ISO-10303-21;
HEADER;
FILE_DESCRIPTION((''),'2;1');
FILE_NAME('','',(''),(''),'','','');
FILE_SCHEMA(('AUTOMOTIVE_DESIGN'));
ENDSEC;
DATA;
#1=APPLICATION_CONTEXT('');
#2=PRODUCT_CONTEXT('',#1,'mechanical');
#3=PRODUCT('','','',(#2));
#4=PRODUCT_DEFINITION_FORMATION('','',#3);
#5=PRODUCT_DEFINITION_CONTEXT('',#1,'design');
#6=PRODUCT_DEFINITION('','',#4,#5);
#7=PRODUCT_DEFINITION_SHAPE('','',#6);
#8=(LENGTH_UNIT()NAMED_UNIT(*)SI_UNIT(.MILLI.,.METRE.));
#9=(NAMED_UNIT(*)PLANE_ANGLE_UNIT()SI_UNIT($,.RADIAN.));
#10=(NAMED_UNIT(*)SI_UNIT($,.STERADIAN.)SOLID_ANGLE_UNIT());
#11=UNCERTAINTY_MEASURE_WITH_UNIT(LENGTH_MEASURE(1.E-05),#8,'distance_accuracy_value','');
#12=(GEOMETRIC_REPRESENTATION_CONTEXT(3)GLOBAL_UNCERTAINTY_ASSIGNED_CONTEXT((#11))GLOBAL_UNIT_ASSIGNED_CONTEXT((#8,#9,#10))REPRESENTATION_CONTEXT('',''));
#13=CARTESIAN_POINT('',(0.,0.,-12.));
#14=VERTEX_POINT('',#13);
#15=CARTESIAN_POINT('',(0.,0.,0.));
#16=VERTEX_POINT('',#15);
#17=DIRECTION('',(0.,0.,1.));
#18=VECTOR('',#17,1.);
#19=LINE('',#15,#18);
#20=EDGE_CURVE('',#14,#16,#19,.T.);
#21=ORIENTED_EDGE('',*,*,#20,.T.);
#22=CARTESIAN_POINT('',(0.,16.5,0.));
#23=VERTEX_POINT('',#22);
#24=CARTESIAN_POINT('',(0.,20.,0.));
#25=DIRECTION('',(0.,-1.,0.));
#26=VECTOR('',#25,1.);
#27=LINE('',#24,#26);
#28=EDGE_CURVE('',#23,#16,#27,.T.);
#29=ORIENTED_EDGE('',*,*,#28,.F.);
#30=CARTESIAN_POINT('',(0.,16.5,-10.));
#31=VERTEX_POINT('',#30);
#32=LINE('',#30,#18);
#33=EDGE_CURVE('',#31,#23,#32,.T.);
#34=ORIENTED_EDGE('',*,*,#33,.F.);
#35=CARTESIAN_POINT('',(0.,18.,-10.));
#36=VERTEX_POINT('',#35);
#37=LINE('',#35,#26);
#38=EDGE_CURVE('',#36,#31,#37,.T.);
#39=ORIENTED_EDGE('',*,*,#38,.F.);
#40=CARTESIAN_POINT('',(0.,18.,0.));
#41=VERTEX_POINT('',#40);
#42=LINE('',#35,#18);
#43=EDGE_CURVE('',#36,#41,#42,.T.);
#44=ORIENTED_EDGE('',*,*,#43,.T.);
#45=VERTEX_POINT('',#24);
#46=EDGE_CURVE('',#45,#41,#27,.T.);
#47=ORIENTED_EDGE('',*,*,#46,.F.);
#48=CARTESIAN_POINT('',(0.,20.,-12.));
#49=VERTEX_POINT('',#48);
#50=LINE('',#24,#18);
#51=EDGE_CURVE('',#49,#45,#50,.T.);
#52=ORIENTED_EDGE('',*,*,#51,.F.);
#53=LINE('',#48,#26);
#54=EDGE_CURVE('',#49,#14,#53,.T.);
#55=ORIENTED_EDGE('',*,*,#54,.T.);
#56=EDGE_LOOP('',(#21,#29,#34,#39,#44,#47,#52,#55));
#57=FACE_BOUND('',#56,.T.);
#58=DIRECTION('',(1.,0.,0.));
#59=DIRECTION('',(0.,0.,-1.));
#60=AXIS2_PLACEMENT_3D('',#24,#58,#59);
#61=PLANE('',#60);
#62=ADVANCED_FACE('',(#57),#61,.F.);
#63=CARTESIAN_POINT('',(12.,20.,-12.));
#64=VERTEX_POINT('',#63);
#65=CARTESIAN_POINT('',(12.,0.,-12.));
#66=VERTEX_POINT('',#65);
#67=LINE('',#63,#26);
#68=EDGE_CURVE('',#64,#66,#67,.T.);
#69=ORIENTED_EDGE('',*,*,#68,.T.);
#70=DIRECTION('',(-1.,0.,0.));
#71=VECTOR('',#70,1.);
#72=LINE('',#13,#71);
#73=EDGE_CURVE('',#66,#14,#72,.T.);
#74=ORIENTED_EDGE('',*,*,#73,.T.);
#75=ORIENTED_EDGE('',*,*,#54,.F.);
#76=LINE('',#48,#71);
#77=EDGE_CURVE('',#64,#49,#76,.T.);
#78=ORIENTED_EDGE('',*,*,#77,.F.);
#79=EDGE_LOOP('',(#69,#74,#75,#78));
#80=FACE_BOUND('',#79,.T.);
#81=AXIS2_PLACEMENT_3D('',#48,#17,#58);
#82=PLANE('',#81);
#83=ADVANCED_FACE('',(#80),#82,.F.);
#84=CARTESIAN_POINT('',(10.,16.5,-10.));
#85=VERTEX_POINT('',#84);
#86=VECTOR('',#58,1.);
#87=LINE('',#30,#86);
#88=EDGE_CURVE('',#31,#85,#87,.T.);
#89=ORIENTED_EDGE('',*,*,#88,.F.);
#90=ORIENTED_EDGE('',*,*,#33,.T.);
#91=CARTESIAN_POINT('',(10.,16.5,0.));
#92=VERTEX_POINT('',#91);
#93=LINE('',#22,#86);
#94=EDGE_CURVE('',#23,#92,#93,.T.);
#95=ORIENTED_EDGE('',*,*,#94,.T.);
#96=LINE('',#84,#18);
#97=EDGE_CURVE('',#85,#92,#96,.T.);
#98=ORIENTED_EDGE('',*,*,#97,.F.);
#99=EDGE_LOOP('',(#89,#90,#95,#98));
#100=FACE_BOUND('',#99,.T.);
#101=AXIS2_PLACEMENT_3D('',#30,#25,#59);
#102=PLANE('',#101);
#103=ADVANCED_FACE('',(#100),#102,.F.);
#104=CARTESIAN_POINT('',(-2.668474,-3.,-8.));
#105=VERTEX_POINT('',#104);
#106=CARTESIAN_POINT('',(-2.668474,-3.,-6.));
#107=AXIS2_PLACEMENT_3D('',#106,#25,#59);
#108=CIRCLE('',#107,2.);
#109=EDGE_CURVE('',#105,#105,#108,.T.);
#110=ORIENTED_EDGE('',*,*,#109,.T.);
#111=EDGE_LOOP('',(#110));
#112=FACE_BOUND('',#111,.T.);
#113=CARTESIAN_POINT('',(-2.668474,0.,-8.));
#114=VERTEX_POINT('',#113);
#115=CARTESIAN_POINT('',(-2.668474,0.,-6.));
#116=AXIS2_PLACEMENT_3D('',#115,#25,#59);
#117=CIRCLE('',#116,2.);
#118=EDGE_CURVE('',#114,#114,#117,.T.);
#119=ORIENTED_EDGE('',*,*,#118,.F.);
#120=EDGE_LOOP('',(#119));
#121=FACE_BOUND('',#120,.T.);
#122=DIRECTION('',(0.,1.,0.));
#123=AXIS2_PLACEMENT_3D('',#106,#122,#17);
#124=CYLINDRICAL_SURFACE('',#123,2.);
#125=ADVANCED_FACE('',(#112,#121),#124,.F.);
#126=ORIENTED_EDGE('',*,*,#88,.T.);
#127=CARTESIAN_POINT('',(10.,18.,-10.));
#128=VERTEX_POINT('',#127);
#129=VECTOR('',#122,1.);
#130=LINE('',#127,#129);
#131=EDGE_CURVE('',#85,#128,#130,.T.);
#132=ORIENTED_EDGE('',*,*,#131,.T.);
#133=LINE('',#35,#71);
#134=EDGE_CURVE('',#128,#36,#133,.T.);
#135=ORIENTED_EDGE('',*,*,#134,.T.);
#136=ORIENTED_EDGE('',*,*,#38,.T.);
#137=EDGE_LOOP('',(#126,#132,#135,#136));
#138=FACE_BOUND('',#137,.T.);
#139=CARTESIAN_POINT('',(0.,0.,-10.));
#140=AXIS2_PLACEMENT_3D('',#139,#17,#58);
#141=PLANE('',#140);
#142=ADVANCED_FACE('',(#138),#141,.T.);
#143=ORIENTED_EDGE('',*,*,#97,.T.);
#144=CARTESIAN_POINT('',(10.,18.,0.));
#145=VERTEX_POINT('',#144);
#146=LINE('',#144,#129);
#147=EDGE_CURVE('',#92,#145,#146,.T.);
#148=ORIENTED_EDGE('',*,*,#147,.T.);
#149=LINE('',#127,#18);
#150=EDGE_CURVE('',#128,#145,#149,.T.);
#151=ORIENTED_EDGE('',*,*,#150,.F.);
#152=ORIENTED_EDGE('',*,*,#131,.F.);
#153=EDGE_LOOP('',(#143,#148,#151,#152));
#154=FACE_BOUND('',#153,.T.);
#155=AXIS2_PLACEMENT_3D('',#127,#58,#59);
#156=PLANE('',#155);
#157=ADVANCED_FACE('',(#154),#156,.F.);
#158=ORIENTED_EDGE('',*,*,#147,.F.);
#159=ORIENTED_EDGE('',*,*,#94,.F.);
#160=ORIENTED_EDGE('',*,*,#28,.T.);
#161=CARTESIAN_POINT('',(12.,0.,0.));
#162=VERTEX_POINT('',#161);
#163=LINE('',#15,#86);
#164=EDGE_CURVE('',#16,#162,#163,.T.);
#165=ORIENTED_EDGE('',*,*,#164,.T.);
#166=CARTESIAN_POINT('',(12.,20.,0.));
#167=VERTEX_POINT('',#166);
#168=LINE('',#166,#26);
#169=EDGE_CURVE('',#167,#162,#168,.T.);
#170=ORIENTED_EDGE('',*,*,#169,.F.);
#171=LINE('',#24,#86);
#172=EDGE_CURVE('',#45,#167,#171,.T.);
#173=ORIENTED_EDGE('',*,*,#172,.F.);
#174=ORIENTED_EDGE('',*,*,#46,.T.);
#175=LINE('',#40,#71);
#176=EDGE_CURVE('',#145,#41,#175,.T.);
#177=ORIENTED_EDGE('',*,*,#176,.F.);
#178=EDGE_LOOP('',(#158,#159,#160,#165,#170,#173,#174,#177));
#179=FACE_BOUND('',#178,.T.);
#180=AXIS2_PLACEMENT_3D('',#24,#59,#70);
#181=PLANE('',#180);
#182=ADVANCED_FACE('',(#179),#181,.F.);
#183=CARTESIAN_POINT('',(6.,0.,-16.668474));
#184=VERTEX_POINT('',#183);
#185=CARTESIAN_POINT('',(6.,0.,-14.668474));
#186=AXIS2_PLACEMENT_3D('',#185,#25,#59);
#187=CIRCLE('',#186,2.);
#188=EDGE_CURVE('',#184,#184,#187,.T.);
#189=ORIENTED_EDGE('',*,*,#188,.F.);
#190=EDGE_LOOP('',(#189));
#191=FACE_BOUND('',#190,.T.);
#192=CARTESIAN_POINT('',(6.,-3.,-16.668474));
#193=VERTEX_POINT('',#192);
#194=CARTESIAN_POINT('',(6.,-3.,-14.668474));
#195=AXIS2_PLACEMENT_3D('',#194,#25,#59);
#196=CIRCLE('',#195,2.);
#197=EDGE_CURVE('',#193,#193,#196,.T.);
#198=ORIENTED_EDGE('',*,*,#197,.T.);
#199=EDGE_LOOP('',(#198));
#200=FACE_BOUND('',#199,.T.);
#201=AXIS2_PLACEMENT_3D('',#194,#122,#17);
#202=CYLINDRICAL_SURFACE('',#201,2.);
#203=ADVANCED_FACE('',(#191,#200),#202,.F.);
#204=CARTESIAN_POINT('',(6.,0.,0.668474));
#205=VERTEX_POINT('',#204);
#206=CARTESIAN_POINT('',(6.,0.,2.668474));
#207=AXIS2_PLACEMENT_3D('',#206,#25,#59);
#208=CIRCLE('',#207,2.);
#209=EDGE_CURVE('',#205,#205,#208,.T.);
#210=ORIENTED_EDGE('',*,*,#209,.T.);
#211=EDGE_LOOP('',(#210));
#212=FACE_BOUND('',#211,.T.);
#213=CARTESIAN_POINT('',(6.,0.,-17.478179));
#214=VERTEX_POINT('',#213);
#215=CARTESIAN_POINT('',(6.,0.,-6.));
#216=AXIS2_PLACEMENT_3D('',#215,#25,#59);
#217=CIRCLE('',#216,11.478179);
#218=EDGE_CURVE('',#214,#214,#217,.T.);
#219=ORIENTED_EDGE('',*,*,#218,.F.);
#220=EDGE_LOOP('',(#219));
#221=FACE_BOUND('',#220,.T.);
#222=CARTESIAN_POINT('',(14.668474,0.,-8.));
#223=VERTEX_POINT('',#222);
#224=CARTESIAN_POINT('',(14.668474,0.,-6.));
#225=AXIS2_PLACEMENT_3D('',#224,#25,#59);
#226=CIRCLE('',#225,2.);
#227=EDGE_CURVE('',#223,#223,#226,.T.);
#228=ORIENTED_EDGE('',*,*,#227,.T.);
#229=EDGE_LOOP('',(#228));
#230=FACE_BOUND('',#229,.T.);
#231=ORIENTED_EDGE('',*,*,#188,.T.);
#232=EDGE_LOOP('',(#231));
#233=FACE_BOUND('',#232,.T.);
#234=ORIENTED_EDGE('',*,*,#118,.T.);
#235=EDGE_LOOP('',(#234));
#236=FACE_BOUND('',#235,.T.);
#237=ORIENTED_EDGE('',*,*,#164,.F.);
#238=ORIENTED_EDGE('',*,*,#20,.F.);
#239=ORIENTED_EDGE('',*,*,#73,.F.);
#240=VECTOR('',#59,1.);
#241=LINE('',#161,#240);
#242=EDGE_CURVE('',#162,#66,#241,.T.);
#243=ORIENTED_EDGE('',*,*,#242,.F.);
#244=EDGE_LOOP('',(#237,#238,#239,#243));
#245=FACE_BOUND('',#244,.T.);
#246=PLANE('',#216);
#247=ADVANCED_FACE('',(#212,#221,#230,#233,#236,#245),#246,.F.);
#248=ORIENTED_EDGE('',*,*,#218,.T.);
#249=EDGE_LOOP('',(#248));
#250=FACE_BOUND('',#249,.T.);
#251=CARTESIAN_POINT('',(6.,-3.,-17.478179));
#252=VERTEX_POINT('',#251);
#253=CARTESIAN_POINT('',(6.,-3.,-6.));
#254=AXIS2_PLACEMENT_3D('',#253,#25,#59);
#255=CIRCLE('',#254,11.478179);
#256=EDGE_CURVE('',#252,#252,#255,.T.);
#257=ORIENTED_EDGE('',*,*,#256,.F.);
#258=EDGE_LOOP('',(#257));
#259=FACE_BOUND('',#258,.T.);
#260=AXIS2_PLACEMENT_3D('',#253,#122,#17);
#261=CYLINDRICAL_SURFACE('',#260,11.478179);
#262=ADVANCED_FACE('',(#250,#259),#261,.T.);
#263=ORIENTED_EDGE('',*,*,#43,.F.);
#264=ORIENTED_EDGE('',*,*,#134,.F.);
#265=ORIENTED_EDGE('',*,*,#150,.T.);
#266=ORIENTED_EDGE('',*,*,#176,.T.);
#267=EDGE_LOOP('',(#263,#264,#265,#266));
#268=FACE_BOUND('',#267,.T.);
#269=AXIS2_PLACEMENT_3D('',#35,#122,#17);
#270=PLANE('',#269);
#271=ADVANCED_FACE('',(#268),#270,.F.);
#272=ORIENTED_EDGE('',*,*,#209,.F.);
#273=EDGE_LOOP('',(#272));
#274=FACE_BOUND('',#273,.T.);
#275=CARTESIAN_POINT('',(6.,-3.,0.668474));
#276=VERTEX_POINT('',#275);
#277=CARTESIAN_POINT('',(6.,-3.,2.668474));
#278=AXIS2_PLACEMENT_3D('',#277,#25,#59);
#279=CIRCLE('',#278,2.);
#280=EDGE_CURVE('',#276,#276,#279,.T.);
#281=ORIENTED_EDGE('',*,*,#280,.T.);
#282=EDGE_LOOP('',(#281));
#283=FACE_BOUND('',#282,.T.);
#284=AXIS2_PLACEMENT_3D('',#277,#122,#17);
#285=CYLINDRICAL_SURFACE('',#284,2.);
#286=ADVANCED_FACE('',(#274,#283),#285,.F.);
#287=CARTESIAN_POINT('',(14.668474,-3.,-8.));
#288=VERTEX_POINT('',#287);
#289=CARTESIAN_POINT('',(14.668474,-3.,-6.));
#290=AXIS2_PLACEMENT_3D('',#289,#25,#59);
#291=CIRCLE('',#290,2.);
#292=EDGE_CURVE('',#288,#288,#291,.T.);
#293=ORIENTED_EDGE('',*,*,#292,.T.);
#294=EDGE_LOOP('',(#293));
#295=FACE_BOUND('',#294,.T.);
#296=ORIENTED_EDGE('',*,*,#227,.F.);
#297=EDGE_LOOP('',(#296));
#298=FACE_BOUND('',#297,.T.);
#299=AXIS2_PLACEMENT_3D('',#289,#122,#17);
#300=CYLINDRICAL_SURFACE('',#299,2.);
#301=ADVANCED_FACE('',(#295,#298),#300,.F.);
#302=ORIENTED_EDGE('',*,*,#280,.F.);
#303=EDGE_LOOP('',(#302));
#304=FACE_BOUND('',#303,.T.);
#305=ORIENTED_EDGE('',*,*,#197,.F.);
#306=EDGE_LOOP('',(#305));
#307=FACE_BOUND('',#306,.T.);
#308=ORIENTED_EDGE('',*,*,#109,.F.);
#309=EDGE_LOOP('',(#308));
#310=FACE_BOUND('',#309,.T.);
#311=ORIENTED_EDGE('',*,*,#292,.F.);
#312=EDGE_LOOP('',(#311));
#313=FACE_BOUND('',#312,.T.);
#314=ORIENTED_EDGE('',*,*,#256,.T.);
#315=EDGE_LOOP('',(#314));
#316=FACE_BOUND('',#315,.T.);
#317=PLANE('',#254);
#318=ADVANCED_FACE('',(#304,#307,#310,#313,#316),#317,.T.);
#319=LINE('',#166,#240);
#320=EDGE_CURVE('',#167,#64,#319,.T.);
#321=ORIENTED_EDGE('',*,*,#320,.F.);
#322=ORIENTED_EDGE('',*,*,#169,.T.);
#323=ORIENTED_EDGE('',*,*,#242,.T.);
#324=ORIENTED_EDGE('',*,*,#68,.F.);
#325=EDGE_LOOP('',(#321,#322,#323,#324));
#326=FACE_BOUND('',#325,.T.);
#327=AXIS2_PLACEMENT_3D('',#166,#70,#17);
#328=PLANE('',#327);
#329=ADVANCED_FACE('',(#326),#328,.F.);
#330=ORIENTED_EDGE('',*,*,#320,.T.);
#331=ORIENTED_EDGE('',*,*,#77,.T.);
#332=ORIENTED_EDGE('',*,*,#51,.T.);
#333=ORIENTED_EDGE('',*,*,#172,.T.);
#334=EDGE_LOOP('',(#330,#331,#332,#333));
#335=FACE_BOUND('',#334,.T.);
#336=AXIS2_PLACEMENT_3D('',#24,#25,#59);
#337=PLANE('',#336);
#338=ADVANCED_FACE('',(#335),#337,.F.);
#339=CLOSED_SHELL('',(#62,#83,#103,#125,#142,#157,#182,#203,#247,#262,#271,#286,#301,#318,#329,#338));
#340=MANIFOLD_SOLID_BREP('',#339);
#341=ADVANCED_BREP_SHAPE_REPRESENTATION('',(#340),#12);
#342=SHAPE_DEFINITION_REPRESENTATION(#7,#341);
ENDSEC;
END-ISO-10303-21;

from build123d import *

# Parameters (mm, degrees)
CROQUIS1_W              = 12
CROQUIS1_H              = 12
SALIENTE_EXTRUIR1_DEPTH = 20
CROQUIS2_W              = 10
CROQUIS2_H              = 1.5
CORTAR_EXTRUIR1_DEPTH   = 10
CROQUIS3_R              = 11.478178836
CROQUIS3_R_2            = 2
SALIENTE_EXTRUIR2_DEPTH = 3


with BuildPart() as part:
    # Croquis1 → Saliente-Extruir1 (new body)
    with BuildSketch(Plane(origin=(0, 0, 0), x_dir=(1, 0, 0), z_dir=(0, 1, 0))):
        with Locations((6, 6)):
            Rectangle(CROQUIS1_W, CROQUIS1_H)
    extrude(amount=SALIENTE_EXTRUIR1_DEPTH)

    # Croquis2 → Cortar-Extruir1 (cut)
    with BuildSketch(Plane.XY):
        with Locations((5, 17.25)):
            Rectangle(CROQUIS2_W, CROQUIS2_H)
    extrude(amount=-CORTAR_EXTRUIR1_DEPTH, mode=Mode.SUBTRACT)

    # Croquis3 → Saliente-Extruir2 (add)
    with BuildSketch(Plane.XZ):
        with Locations(Location((6, -6, 0), (0, 0, 270))):
            Circle(CROQUIS3_R)
        with Locations(Location((14.668474488, -6, 0), (0, 0, 270))):
            Circle(CROQUIS3_R_2, mode=Mode.SUBTRACT)
        with Locations(Location((6, -14.668474488, 0), (0, 0, 270))):
            Circle(CROQUIS3_R_2, mode=Mode.SUBTRACT)
        with Locations(Location((-2.668474488, -6, 0), (0, 0, 270))):
            Circle(CROQUIS3_R_2, mode=Mode.SUBTRACT)
        with Locations(Location((6, 2.668474488, 0), (0, 0, 270))):
            Circle(CROQUIS3_R_2, mode=Mode.SUBTRACT)
    extrude(amount=SALIENTE_EXTRUIR2_DEPTH)


solid = part.part
